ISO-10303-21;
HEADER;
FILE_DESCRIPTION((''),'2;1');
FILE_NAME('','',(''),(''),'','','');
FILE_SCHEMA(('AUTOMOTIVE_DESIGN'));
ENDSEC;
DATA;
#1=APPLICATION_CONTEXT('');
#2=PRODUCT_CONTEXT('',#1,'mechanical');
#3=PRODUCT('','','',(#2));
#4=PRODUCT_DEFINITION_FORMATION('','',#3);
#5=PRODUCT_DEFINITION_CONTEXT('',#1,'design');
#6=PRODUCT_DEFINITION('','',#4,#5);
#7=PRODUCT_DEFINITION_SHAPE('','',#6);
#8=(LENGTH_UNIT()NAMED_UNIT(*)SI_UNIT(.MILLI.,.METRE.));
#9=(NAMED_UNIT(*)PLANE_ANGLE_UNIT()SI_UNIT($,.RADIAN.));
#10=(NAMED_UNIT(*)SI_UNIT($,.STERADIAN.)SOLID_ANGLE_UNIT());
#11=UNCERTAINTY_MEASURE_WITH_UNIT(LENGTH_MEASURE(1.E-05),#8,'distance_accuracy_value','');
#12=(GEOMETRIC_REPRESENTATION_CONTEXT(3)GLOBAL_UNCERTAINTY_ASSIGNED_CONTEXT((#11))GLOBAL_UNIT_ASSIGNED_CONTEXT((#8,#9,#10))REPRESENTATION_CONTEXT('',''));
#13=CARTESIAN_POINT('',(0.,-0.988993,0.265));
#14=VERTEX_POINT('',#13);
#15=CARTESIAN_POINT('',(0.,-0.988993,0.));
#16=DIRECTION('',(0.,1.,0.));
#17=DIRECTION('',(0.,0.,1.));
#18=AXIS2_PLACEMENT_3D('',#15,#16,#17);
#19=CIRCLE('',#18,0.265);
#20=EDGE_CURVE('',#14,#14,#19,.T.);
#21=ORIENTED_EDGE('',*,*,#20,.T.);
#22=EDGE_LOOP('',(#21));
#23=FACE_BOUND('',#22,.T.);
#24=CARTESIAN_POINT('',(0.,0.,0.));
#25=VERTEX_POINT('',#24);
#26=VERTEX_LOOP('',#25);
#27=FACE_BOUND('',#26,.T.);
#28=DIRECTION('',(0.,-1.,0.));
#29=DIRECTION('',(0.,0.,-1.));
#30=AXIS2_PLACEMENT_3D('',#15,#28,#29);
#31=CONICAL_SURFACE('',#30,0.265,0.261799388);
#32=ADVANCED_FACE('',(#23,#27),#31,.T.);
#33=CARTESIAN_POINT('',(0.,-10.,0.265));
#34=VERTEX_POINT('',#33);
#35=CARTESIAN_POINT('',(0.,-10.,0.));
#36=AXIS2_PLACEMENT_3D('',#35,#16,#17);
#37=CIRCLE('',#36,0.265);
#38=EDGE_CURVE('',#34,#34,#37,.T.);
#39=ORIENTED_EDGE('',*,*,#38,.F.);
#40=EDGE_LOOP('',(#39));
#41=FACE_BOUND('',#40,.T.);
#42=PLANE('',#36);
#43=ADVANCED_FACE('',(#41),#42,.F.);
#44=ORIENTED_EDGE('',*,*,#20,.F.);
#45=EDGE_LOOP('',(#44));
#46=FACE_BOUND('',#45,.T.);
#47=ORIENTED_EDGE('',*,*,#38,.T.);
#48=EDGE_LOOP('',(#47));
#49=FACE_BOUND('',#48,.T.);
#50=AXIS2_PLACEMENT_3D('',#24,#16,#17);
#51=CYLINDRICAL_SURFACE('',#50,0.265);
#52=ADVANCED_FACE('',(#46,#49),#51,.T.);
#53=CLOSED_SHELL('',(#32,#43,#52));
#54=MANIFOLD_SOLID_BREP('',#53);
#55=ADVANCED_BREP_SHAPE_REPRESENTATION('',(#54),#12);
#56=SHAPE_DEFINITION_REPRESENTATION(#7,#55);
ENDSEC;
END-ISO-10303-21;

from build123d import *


with BuildPart() as part:
    # Sketch1 → Revolve1 (revolve)
    with BuildSketch(Plane(origin=(0, 0, 0), x_dir=(0, 0, -1), z_dir=(1, 0, 0))):
        Polygon((0, 0), (0, -10), (0.265, -10), (0.265, -0.988993464), align=None)
    revolve(axis=Axis((0, 0, 0), (0, -1, 0)))


solid = part.part
